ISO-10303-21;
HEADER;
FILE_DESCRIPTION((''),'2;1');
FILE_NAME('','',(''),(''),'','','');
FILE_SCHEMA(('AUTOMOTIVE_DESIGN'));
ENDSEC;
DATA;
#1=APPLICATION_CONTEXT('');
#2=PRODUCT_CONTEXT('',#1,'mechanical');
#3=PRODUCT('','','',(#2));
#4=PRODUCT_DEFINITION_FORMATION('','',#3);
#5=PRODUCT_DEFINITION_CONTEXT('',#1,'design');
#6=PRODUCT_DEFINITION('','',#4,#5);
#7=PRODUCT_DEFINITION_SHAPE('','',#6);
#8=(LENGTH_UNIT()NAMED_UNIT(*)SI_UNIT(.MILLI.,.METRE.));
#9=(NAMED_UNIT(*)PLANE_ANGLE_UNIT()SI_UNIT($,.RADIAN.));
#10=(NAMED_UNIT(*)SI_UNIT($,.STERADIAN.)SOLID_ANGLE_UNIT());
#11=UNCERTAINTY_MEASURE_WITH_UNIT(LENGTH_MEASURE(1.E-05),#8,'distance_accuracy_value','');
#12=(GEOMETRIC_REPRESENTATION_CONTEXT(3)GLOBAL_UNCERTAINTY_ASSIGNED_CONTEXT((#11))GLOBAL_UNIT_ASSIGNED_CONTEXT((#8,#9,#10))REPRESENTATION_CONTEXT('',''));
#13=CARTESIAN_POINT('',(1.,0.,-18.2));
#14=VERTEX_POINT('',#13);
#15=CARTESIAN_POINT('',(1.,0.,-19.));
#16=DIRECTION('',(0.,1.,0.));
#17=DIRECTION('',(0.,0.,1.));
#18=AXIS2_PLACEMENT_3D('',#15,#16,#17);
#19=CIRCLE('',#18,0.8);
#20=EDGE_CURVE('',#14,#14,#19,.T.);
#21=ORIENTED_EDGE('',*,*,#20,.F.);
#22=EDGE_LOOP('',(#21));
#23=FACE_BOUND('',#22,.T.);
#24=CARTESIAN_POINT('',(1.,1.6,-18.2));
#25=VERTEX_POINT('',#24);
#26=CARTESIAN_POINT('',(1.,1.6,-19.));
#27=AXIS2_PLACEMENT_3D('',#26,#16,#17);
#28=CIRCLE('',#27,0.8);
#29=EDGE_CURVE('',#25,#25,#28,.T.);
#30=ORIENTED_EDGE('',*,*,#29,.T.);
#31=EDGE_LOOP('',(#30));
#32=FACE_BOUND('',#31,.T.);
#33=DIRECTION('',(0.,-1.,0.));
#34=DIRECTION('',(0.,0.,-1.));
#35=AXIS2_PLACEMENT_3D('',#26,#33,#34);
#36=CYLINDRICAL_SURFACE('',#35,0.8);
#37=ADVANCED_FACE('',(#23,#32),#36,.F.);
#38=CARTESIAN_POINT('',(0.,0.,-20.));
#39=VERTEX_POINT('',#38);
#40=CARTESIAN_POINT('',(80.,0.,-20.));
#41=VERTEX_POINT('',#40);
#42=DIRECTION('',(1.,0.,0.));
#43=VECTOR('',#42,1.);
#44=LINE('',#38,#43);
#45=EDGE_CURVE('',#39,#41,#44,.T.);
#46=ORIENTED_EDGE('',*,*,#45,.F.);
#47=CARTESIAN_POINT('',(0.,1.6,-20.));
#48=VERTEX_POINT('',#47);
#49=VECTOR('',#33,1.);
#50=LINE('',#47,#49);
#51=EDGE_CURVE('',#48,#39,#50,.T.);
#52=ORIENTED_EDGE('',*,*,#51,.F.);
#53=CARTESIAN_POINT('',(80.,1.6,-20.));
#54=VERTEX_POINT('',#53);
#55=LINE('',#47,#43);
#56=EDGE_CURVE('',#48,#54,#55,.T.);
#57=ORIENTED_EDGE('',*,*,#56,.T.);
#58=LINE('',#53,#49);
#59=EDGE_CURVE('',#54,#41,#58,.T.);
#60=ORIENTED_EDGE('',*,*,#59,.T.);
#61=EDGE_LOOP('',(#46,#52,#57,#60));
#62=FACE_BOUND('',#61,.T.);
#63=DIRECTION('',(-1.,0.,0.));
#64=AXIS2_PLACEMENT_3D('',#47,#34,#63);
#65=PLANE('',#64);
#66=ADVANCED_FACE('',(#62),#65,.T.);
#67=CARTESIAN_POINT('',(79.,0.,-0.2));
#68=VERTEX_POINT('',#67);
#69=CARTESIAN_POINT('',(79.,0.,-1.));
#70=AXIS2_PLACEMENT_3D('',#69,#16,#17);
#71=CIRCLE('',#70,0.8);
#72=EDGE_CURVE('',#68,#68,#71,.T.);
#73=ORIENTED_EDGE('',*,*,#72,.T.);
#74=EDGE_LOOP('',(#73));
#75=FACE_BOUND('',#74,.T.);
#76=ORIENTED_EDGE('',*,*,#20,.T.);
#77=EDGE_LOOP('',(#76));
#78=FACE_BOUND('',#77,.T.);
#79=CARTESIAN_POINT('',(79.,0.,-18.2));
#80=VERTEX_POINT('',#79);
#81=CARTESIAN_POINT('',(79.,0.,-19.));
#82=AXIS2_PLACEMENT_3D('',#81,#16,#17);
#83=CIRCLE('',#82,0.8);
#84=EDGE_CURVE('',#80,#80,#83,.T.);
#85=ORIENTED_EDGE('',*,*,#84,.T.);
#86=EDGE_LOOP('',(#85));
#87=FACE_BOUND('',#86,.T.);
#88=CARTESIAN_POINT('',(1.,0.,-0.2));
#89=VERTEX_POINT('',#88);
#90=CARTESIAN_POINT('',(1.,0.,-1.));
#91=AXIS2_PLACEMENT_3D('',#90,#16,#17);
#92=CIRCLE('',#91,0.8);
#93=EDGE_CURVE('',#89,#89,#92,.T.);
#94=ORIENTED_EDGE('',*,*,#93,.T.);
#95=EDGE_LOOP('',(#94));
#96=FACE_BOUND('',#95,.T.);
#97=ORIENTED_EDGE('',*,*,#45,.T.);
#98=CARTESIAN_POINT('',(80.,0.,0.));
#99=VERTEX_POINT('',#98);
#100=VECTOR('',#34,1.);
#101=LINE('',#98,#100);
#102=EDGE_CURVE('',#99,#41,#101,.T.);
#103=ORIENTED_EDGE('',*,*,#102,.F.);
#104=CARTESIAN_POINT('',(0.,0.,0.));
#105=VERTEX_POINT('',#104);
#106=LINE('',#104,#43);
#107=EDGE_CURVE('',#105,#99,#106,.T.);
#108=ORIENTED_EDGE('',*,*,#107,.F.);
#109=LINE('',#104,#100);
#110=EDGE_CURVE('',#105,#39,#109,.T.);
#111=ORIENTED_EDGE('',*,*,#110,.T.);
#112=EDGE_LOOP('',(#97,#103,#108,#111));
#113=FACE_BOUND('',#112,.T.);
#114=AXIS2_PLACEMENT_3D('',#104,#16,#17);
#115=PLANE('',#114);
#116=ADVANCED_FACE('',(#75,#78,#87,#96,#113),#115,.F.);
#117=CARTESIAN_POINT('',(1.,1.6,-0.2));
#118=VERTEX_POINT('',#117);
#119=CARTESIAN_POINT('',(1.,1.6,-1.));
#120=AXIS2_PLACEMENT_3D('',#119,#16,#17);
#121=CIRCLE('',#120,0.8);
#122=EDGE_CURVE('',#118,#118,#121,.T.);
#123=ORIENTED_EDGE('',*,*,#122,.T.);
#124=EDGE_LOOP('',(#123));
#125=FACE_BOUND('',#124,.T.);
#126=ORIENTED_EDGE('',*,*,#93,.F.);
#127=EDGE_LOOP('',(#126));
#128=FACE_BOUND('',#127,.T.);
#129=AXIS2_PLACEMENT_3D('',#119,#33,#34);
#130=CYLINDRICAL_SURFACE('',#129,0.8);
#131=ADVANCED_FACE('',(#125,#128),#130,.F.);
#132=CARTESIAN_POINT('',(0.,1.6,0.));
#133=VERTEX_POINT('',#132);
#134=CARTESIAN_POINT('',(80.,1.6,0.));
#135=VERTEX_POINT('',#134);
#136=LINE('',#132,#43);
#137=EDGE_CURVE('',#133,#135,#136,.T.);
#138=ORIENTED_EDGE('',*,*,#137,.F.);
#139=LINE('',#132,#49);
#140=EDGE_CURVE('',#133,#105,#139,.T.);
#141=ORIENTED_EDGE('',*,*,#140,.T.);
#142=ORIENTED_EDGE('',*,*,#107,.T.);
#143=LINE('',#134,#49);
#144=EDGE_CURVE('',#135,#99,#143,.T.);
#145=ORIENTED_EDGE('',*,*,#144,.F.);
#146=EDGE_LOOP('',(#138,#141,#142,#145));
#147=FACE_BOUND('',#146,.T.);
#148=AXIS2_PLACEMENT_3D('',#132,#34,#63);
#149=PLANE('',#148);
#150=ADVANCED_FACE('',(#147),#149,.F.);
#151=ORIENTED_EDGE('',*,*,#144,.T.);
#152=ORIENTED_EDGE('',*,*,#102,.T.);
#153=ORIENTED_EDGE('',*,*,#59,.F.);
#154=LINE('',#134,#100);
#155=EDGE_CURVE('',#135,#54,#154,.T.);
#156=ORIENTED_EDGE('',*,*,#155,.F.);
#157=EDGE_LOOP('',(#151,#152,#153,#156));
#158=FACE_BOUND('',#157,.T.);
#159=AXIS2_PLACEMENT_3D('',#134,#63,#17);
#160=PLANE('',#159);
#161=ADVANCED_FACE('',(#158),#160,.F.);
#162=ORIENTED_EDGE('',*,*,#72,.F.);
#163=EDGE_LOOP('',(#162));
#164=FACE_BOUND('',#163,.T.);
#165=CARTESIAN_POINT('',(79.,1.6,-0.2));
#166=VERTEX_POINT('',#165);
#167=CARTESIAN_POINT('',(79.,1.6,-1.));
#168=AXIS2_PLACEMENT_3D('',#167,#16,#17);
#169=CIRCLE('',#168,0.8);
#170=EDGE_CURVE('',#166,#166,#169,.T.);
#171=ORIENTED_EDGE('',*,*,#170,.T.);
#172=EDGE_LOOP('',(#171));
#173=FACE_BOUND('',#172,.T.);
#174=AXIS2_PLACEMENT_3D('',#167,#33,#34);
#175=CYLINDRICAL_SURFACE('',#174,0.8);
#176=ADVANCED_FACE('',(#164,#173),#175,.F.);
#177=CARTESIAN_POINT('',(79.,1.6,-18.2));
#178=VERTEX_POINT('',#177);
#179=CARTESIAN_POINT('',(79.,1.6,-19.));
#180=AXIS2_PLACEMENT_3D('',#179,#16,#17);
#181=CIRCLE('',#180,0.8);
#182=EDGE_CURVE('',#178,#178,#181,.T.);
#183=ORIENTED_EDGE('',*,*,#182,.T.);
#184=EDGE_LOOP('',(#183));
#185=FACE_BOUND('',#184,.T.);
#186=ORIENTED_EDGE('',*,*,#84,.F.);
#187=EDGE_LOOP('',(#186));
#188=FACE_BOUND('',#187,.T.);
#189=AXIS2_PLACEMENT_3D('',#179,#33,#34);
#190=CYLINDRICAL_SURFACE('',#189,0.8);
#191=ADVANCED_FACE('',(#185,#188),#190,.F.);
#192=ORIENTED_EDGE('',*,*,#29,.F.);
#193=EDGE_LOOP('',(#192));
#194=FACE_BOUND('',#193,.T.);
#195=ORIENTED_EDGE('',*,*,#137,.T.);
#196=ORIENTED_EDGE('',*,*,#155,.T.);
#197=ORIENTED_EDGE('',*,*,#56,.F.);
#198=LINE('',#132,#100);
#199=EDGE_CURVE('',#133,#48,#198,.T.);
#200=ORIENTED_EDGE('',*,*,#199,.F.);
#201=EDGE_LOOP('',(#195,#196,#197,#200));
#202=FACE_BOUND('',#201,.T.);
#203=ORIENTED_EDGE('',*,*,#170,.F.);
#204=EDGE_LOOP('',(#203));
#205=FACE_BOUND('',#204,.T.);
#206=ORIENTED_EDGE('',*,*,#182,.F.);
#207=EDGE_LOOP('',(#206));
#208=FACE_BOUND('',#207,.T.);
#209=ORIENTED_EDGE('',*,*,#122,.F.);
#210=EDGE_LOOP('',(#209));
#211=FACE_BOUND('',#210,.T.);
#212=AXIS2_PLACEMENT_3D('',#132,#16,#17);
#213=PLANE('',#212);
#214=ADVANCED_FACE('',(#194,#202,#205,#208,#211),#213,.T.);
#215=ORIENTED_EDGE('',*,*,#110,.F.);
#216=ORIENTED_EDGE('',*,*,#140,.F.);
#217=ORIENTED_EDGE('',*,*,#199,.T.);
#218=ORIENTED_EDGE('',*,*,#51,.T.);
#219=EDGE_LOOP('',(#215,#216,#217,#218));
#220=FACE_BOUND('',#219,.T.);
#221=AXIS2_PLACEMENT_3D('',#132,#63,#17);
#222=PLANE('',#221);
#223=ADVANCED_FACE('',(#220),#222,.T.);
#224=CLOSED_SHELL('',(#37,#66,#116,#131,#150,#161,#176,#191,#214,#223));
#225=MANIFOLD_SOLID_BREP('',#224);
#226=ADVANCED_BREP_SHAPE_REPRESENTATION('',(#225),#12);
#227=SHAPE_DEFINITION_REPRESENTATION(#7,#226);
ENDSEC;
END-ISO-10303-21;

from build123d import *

# Parameters (mm, degrees)
SZKIC1_W                    = 80
SZKIC1_H                    = 20
SZKIC1_R                    = 0.8
DODANIE_WYCI_GNI_CIE1_DEPTH = 1.6


with BuildPart() as part:
    # Szkic1 → Dodanie-wyciągnięcie1 (new body)
    with BuildSketch(Plane(origin=(0, 0, 0), x_dir=(1, 0, 0), z_dir=(0, 1, 0))):
        with Locations((40, 10)):
            Rectangle(SZKIC1_W, SZKIC1_H)
        with Locations(Location((1, 19, 0), (0, 0, 270))):
            Circle(SZKIC1_R, mode=Mode.SUBTRACT)
        with Locations(Location((1, 1, 0), (0, 0, 270))):
            Circle(SZKIC1_R, mode=Mode.SUBTRACT)
        with Locations(Location((79, 1, 0), (0, 0, 270))):
            Circle(SZKIC1_R, mode=Mode.SUBTRACT)
        with Locations(Location((79, 19, 0), (0, 0, 270))):
            Circle(SZKIC1_R, mode=Mode.SUBTRACT)
    extrude(amount=DODANIE_WYCI_GNI_CIE1_DEPTH)


solid = part.part
